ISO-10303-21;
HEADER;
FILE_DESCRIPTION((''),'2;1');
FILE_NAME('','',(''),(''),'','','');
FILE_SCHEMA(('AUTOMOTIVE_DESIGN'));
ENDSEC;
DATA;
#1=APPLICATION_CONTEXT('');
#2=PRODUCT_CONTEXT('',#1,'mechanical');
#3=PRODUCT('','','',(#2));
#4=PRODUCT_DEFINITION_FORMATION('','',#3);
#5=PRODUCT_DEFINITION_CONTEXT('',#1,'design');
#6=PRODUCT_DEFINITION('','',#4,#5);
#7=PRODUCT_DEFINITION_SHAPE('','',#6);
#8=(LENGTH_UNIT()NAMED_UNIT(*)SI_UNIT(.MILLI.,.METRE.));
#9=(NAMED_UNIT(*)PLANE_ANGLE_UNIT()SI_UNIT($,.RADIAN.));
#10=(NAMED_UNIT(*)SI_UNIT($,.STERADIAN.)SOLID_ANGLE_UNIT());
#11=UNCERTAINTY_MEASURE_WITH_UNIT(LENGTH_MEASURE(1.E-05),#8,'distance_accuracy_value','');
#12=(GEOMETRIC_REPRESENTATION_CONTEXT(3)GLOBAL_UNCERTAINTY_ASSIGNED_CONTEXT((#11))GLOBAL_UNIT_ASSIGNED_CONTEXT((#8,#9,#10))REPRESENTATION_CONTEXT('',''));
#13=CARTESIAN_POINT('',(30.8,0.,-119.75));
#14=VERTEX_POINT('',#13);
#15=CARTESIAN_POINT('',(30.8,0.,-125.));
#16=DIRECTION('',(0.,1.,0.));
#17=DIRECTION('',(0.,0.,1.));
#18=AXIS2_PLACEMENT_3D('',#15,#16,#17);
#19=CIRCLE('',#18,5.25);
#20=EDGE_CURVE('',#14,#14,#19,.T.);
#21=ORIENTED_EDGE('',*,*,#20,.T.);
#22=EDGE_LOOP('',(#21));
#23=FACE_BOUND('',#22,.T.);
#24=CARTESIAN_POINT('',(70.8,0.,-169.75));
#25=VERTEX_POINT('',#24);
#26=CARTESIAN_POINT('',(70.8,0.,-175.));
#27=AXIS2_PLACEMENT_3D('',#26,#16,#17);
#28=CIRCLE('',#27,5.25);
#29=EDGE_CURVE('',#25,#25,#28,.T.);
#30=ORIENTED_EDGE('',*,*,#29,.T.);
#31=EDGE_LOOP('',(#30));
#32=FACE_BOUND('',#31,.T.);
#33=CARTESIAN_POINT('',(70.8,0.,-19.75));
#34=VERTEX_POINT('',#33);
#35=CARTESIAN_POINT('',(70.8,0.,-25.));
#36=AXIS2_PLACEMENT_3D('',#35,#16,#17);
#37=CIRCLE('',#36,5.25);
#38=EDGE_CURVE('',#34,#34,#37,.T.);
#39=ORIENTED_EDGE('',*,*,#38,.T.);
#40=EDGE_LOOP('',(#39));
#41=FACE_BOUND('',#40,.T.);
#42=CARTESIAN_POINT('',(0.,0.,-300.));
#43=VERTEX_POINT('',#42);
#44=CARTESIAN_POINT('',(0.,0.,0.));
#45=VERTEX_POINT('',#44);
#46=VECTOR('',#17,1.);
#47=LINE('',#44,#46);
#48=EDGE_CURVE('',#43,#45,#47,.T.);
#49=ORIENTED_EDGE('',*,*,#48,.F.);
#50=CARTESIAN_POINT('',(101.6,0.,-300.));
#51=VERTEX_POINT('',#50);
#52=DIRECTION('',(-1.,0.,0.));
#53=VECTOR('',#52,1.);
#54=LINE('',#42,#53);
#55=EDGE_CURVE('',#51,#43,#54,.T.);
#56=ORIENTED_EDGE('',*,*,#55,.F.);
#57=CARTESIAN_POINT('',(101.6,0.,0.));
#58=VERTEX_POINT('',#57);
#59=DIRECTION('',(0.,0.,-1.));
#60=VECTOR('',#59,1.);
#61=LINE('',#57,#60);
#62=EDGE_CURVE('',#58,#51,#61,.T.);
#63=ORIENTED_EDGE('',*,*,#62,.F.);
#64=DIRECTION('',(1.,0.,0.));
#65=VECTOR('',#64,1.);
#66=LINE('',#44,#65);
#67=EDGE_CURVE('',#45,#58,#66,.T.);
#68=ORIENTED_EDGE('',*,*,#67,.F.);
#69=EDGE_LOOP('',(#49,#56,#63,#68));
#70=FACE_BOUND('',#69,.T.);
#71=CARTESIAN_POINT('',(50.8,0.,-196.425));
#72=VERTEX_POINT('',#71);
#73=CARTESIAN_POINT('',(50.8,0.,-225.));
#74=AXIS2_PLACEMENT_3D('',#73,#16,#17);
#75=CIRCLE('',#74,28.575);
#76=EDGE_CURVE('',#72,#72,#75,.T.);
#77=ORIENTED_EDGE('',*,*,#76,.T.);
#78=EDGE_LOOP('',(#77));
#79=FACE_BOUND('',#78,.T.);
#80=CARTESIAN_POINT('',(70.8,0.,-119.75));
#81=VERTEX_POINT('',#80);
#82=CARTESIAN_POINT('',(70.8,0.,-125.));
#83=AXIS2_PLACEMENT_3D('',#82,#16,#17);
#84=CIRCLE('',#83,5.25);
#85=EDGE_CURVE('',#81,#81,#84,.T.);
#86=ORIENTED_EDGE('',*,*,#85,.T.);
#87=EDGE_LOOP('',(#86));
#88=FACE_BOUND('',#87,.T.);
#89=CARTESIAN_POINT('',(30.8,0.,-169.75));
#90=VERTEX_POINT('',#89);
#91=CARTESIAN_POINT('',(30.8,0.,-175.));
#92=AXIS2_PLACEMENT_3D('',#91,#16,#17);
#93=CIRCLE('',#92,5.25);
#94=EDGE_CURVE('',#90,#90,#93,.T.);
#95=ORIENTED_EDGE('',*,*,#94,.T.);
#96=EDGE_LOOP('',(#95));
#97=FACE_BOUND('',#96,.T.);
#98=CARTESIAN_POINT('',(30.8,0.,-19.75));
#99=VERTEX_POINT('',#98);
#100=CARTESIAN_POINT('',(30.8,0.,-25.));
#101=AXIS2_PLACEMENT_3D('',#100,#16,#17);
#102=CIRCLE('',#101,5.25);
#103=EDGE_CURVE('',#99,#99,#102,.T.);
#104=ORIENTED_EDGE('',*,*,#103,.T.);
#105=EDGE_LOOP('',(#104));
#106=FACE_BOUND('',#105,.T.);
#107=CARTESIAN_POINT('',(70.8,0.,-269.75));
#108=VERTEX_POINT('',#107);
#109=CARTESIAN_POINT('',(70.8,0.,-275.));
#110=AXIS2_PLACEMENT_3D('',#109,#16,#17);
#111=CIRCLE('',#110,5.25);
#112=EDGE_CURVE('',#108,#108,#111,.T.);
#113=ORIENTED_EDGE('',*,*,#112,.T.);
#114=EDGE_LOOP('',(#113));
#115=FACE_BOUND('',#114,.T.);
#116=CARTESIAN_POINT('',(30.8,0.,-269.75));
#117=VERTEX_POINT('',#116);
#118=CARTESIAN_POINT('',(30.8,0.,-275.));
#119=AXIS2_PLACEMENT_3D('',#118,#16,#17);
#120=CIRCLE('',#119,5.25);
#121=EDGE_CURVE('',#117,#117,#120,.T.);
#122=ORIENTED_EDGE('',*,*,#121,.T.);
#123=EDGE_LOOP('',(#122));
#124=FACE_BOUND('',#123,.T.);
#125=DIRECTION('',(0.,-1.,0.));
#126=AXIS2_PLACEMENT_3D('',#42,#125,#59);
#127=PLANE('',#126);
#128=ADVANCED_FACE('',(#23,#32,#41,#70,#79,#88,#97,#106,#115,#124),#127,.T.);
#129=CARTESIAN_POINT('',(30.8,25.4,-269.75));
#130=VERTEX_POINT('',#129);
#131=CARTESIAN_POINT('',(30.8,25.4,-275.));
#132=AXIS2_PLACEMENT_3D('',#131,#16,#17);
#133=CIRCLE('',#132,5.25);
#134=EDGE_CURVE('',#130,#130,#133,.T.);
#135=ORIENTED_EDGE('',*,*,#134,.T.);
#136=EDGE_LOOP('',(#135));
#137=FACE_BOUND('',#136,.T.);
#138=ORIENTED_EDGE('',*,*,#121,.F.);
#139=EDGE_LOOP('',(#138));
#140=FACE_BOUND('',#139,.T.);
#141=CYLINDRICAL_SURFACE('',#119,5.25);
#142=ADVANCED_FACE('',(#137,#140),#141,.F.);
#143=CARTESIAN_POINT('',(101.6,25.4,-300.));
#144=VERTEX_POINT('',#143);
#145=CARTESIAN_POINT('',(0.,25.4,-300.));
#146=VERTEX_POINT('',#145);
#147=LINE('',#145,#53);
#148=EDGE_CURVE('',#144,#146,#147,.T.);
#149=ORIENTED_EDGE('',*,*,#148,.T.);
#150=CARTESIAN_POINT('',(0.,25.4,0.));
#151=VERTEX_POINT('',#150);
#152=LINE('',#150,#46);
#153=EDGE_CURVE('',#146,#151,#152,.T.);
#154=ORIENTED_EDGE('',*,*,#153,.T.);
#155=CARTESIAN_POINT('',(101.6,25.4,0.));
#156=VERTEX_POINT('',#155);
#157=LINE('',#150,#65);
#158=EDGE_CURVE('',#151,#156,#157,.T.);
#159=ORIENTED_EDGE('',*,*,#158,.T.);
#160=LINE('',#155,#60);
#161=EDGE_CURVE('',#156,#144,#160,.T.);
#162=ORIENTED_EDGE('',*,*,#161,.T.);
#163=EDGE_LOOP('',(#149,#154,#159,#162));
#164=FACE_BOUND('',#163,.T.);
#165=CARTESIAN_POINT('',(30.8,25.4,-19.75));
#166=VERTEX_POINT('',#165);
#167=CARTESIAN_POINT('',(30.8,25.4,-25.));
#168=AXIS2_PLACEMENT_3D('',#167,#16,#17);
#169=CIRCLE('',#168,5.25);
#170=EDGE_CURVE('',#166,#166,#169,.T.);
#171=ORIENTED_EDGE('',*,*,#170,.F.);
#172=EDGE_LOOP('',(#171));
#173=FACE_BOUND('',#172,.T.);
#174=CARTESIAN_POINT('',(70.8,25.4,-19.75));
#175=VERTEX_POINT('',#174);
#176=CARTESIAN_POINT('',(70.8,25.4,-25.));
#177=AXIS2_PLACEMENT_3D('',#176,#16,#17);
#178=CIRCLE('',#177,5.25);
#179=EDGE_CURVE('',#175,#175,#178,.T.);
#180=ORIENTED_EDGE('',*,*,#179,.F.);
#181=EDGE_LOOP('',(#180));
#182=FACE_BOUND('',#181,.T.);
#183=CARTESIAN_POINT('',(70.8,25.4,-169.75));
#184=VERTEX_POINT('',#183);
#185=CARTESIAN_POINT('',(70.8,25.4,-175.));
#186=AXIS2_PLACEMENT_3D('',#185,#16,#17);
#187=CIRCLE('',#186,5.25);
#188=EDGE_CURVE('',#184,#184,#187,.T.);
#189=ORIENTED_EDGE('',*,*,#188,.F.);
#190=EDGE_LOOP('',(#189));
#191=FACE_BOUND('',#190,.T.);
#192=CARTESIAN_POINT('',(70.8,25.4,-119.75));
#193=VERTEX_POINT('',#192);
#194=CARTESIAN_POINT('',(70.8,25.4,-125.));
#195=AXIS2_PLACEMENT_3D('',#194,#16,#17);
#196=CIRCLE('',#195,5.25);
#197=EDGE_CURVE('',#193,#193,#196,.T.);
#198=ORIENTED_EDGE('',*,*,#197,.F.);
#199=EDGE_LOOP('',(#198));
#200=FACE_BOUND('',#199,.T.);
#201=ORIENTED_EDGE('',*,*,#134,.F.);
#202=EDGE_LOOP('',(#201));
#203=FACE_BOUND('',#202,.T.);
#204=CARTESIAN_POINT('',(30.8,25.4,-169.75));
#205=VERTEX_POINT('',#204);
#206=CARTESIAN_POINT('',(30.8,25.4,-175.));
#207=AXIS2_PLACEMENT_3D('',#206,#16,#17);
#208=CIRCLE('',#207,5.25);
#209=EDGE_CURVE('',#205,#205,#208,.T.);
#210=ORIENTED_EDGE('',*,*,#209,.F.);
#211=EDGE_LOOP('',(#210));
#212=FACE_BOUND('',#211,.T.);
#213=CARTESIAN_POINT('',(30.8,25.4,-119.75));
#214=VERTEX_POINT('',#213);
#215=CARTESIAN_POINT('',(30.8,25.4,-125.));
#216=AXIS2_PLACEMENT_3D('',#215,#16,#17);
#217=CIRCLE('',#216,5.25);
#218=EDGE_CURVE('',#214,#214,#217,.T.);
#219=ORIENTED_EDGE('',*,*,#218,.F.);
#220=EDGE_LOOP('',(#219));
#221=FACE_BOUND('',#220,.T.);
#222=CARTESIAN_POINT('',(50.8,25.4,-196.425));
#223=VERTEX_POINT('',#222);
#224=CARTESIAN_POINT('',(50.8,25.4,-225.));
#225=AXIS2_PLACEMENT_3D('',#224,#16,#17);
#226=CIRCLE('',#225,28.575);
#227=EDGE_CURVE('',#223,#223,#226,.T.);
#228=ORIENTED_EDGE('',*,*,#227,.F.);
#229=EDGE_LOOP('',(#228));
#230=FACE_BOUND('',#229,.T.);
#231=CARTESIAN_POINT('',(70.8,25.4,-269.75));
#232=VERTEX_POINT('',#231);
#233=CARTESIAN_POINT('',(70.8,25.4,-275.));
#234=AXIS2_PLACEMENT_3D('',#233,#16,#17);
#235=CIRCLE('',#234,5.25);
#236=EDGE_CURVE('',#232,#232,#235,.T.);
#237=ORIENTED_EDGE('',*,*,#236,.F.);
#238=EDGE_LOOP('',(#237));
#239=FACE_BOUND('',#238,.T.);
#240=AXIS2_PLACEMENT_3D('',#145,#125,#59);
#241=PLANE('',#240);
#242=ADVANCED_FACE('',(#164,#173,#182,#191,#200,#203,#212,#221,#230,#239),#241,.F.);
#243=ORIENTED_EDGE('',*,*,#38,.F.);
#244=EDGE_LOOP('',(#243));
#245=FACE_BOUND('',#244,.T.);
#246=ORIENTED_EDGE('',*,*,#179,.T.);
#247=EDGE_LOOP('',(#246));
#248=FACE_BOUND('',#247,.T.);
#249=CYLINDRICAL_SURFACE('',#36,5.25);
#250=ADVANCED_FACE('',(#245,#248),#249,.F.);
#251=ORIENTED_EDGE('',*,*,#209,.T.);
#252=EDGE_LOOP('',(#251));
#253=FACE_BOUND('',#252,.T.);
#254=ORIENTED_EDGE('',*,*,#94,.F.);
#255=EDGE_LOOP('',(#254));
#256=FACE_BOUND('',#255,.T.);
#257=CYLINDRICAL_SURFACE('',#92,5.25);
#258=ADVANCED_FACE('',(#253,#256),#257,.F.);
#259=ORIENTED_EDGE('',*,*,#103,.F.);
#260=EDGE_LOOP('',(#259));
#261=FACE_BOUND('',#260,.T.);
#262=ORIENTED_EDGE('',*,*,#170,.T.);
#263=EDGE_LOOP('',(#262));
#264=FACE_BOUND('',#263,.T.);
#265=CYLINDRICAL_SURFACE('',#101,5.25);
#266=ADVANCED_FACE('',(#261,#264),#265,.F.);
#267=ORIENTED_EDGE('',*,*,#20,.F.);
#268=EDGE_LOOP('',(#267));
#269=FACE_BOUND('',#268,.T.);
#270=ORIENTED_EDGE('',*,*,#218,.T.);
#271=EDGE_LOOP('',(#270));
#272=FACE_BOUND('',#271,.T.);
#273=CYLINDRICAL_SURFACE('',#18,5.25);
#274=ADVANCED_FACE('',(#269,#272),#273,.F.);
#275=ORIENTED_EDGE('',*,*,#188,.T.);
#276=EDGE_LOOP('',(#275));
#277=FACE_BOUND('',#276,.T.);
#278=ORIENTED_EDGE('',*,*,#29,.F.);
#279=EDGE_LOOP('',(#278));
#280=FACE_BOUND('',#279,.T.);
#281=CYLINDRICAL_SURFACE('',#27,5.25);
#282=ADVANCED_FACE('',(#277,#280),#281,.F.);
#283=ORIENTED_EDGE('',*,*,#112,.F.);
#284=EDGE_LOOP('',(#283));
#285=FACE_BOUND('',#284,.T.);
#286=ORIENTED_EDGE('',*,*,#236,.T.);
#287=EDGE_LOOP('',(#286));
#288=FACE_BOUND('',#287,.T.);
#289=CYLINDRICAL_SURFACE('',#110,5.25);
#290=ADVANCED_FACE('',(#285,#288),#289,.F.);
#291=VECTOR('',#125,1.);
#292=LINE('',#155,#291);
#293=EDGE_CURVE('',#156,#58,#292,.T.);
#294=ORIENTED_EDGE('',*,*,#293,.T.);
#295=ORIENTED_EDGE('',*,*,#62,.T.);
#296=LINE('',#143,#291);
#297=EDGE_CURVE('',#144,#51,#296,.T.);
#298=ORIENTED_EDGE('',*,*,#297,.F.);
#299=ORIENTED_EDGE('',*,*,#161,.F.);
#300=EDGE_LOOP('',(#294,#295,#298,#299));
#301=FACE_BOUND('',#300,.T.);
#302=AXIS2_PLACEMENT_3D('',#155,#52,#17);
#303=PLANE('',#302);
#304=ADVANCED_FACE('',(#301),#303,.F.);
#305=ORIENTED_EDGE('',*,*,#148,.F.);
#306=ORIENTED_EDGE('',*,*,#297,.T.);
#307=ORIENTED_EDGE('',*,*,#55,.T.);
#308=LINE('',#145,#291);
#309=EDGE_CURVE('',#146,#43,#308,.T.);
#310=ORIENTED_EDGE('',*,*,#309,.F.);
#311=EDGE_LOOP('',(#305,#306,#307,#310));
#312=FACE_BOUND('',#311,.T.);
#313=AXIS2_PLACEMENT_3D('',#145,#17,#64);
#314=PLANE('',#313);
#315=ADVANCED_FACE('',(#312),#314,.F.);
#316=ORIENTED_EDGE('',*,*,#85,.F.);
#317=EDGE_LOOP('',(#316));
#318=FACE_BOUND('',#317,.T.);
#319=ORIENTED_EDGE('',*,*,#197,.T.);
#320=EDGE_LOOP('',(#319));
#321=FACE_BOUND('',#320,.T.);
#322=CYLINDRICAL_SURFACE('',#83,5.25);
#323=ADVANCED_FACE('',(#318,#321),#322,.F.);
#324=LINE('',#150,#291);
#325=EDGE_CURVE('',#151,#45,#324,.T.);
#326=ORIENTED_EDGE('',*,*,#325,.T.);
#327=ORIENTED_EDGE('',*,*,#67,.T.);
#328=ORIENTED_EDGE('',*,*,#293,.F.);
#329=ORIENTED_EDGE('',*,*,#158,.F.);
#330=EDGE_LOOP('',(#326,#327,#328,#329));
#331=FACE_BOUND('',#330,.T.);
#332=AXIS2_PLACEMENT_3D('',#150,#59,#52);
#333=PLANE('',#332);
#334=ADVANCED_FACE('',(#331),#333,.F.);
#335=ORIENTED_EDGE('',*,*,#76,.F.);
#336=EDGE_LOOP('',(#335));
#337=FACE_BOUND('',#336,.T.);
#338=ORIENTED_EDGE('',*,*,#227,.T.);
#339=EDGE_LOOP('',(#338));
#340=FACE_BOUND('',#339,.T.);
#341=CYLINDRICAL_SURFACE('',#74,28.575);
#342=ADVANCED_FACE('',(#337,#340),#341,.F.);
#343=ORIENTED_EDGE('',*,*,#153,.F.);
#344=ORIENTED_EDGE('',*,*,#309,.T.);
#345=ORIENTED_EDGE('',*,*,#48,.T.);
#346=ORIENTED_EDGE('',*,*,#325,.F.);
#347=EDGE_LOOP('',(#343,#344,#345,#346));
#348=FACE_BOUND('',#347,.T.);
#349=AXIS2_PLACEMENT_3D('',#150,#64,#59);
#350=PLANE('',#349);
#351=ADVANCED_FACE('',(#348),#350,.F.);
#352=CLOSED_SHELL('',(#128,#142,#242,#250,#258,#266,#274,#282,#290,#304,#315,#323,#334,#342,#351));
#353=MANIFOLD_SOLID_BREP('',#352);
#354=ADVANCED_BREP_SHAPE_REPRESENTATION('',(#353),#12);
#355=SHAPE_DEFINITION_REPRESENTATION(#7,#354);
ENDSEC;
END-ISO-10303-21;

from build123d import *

# Parameters (mm, degrees)
SKETCH2_W           = 101.6
SKETCH2_H           = 300
BOSS_EXTRUDE1_DEPTH = 25.4
SKETCH3_R           = 5.25
SKETCH3_R_2         = 28.575
CUT_EXTRUDE1_DEPTH  = 25.4
SKETCH4_R           = 5.25
CUT_EXTRUDE2_DEPTH  = 25.4


with BuildPart() as part:
    # Sketch2 → Boss-Extrude1 (new body)
    with BuildSketch(Plane(origin=(0, 0, 0), x_dir=(1, 0, 0), z_dir=(0, 1, 0))):
        with Locations((50.8, 150)):
            Rectangle(SKETCH2_W, SKETCH2_H)
    extrude(amount=BOSS_EXTRUDE1_DEPTH)

    # Sketch3 → Cut-Extrude1 (cut)
    with BuildSketch(Plane(origin=(0, 25.4, 0), x_dir=(1, 0, 0), z_dir=(0, 1, 0))):
        with Locations(Location((70.8, 275, 0), (0, 0, 270))):
            Circle(SKETCH3_R)
        with Locations(Location((30.8, 275, 0), (0, 0, 270))):
            Circle(SKETCH3_R)
        with Locations(Location((70.8, 175, 0), (0, 0, 270))):
            Circle(SKETCH3_R)
        with Locations(Location((30.8, 175, 0), (0, 0, 270))):
            Circle(SKETCH3_R)
        with Locations(Location((50.8, 225, 0), (0, 0, 270))):
            Circle(SKETCH3_R_2)
    extrude(amount=-CUT_EXTRUDE1_DEPTH, mode=Mode.SUBTRACT)

    # Sketch4 → Cut-Extrude2 (cut)
    with BuildSketch(Plane(origin=(0, 25.4, 0), x_dir=(1, 0, 0), z_dir=(0, 1, 0))):
        with Locations(Location((70.8, 125, 0), (0, 0, 270))):
            Circle(SKETCH4_R)
        with Locations(Location((30.8, 125, 0), (0, 0, 270))):
            Circle(SKETCH4_R)
        with Locations(Location((30.8, 25, 0), (0, 0, 270))):
            Circle(SKETCH4_R)
        with Locations(Location((70.8, 25, 0), (0, 0, 270))):
            Circle(SKETCH4_R)
    extrude(amount=-CUT_EXTRUDE2_DEPTH, mode=Mode.SUBTRACT)


solid = part.part
